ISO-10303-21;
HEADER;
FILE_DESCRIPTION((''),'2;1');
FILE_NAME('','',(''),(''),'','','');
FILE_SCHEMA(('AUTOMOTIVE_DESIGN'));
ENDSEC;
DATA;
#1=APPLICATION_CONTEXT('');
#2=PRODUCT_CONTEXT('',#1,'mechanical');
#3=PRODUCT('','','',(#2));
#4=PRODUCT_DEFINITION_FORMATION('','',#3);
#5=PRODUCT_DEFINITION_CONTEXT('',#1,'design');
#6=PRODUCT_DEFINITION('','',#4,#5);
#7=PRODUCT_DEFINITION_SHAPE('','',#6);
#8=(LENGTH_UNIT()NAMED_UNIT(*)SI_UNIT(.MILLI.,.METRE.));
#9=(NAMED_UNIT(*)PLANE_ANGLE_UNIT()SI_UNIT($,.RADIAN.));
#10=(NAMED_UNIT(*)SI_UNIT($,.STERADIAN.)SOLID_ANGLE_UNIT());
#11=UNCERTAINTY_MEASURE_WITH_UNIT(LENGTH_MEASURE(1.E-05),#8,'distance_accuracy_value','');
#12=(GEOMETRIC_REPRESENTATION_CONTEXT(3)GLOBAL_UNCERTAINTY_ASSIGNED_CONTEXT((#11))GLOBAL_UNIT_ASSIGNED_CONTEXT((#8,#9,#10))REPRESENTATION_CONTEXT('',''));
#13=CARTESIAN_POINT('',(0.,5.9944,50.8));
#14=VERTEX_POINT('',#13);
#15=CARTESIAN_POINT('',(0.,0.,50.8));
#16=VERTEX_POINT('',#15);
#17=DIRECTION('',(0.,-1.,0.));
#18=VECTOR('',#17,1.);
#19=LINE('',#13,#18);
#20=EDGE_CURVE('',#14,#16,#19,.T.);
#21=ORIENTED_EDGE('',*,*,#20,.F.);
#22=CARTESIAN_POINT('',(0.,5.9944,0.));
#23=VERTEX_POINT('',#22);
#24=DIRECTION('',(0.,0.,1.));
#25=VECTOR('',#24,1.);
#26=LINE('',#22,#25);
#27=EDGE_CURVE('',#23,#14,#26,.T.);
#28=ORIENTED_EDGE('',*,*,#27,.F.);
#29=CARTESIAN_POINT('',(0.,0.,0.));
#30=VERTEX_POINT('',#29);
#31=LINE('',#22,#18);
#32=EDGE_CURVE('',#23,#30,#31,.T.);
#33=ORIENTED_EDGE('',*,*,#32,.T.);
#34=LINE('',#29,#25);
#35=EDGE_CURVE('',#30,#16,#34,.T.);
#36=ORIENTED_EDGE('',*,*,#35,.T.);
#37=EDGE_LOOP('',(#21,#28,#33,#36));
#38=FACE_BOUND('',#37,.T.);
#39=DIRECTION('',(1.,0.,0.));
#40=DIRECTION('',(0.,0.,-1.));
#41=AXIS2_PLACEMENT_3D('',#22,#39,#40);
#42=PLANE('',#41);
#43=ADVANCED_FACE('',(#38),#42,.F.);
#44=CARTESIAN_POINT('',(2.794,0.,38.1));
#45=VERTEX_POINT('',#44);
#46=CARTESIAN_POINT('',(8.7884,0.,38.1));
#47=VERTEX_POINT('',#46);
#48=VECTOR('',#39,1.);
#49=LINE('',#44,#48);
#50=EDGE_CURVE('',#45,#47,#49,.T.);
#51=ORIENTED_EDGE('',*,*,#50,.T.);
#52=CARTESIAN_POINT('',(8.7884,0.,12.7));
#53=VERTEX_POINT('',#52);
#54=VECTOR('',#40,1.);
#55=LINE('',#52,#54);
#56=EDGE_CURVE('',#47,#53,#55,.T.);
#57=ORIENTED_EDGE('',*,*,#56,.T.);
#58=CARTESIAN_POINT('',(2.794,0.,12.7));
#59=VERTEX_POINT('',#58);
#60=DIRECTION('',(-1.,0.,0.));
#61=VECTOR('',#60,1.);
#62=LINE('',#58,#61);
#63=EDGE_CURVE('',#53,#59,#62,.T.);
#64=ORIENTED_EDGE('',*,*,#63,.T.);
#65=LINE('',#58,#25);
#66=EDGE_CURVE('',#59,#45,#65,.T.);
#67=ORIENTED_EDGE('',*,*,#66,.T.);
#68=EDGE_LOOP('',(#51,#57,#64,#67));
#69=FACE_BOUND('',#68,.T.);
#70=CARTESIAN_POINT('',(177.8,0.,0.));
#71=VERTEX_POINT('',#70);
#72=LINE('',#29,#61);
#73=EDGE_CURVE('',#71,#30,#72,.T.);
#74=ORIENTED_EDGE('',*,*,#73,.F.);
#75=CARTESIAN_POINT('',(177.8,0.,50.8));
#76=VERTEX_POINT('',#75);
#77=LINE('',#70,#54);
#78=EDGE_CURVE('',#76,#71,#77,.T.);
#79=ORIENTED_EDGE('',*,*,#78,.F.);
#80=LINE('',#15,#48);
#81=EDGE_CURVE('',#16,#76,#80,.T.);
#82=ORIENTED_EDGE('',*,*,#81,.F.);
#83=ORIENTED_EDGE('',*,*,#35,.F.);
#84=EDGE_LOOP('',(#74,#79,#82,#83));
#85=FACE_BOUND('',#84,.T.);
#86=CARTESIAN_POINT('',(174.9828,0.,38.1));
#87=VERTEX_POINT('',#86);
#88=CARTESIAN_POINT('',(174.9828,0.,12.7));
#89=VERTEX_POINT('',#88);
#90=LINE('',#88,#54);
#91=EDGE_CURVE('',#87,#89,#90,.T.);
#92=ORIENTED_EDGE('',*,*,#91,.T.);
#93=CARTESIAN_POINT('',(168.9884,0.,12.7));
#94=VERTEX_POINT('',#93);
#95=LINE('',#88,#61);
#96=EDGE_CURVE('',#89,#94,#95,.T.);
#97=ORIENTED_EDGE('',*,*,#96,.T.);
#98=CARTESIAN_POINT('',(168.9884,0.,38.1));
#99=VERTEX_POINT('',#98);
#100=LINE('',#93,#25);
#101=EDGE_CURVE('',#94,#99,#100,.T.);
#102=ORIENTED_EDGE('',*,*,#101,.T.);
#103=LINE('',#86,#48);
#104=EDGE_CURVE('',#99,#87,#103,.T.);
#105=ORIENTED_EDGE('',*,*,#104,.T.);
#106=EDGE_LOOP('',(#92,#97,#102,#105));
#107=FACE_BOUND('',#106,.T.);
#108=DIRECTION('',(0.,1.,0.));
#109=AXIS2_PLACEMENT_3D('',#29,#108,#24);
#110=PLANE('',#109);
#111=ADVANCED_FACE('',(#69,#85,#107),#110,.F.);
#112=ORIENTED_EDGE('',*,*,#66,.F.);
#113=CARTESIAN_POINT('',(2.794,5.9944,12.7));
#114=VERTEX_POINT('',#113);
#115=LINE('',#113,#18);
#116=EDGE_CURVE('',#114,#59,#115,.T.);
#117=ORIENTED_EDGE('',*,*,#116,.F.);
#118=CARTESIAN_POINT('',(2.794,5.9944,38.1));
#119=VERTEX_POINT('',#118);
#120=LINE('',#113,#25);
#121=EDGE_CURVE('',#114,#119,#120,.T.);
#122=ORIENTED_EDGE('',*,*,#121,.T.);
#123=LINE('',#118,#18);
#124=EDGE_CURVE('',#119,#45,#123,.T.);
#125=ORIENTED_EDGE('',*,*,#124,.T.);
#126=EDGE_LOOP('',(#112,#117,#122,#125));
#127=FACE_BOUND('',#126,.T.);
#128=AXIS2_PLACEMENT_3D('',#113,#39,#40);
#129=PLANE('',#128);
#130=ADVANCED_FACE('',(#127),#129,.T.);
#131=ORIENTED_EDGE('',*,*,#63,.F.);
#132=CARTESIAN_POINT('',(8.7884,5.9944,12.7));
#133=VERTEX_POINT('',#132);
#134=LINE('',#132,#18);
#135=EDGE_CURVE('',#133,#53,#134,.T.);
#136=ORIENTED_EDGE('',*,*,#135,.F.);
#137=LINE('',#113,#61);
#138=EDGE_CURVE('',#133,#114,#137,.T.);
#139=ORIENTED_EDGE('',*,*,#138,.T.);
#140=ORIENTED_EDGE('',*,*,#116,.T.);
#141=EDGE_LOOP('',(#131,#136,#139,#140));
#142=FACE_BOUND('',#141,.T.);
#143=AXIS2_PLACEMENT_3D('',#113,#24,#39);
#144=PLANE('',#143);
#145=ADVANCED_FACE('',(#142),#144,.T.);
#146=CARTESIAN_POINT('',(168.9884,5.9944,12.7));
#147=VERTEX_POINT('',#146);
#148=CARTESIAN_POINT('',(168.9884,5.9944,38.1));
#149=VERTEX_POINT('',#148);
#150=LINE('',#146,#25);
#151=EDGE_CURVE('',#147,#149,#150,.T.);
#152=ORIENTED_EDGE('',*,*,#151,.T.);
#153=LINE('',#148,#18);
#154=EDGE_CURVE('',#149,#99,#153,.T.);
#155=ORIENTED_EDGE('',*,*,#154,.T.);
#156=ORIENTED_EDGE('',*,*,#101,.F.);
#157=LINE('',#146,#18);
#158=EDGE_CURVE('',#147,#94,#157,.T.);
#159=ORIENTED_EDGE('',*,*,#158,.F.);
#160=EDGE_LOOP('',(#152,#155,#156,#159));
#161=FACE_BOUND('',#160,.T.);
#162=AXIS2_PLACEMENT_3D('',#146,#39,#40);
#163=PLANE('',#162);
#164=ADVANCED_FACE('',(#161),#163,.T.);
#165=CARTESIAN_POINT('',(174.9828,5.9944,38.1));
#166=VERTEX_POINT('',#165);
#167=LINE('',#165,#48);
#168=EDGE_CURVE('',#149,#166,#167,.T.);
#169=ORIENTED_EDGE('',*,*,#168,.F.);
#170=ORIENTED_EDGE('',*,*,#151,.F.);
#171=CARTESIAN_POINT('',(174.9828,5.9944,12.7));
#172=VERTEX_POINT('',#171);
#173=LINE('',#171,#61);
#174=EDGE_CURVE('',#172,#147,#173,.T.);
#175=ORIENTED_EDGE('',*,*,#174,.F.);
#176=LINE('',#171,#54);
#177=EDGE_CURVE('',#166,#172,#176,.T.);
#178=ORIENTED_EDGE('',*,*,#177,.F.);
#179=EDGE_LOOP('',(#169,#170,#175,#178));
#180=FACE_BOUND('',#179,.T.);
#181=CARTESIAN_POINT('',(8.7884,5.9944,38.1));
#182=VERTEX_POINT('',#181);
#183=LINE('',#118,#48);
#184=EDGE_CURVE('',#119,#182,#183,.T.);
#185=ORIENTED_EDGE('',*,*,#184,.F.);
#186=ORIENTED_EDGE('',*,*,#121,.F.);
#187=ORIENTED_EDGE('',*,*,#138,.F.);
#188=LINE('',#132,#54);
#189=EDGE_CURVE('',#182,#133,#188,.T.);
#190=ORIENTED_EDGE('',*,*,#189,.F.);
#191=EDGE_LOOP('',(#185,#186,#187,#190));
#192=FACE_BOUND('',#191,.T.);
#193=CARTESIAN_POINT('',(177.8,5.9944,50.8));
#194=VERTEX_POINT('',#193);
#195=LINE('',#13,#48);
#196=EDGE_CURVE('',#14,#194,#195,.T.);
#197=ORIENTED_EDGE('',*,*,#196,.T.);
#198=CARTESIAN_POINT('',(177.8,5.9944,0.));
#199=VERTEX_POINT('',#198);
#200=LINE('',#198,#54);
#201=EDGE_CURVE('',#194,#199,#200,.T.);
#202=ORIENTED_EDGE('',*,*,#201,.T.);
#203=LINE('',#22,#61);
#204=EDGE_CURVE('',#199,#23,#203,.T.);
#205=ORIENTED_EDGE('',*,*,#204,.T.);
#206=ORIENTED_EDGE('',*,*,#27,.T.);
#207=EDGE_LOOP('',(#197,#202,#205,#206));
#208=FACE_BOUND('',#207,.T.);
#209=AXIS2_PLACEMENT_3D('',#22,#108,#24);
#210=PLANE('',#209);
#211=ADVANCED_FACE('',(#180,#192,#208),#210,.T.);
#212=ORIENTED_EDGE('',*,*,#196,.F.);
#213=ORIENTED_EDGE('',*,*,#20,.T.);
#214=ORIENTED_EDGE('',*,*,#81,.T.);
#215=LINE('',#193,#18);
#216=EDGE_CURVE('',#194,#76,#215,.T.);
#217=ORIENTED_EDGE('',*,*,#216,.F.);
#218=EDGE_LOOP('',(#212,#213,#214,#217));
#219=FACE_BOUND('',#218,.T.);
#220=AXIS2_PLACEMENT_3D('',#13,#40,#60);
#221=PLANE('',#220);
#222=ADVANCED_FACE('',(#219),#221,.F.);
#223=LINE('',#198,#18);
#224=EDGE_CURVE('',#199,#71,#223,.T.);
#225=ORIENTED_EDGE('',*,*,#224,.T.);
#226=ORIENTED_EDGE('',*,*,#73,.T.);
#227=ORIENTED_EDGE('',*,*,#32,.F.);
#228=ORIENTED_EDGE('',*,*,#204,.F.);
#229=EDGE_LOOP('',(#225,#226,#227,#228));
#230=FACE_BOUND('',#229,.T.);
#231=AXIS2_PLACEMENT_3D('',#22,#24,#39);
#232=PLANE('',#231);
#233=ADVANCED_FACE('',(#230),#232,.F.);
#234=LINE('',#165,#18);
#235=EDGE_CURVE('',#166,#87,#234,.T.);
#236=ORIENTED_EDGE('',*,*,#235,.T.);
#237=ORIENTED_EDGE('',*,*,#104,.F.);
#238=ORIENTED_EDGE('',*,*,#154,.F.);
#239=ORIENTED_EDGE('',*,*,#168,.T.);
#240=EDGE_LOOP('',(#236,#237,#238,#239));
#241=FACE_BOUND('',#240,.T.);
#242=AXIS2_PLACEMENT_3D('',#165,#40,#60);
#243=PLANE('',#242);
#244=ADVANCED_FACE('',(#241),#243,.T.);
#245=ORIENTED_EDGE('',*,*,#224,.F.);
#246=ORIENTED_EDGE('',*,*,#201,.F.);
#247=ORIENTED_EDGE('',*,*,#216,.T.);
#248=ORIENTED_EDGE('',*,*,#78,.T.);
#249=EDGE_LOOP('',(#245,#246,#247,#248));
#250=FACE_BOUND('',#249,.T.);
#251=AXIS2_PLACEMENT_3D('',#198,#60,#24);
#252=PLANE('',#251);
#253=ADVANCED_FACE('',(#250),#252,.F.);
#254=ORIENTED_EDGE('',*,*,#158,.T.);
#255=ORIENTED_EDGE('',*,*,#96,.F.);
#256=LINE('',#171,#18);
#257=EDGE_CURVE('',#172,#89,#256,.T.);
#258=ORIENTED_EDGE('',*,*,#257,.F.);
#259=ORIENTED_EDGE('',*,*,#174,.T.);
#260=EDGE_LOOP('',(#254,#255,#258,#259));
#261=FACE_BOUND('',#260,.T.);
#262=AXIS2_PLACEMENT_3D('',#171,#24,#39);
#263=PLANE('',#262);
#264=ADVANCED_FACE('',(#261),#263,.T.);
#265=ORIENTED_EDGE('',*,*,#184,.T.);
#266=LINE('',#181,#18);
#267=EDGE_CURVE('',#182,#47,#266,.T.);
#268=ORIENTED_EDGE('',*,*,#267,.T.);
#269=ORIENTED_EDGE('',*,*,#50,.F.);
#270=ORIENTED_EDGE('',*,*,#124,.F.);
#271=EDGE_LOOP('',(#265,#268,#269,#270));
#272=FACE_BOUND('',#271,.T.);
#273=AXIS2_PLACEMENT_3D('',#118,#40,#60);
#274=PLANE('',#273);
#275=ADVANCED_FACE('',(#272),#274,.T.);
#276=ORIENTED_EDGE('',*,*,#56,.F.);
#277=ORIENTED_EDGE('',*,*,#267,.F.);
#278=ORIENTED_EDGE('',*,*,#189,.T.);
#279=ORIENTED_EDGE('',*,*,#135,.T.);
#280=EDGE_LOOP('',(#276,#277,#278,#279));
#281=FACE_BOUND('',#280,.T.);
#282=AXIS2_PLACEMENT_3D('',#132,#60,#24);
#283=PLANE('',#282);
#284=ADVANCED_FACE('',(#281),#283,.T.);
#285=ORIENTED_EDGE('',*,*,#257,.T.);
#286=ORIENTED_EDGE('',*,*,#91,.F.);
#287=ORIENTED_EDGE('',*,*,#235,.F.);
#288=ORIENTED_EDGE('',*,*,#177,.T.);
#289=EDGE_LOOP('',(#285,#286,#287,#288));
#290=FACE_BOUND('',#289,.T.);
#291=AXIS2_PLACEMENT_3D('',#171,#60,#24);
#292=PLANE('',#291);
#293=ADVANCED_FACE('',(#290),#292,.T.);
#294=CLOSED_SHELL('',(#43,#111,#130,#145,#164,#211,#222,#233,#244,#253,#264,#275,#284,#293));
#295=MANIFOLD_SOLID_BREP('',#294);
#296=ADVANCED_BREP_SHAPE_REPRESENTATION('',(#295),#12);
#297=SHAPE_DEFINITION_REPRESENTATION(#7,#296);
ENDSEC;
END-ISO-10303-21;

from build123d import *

# Parameters (mm, degrees)
SKETCH1_W           = 177.8
SKETCH1_H           = 50.8
SKETCH1_W_2         = 5.9944
SKETCH1_H_2         = 25.4
BOSS_EXTRUDE1_DEPTH = 5.9944


with BuildPart() as part:
    # Sketch1 → Boss-Extrude1 (new body)
    with BuildSketch(Plane(origin=(0, 0, 0), x_dir=(1, 0, 0), z_dir=(0, 1, 0))):
        with Locations((88.9, -25.4)):
            Rectangle(SKETCH1_W, SKETCH1_H)
        with Locations((5.7912, -25.4)):
            Rectangle(SKETCH1_W_2, SKETCH1_H_2, mode=Mode.SUBTRACT)
        with Locations((171.9856, -25.4)):
            Rectangle(SKETCH1_W_2, SKETCH1_H_2, mode=Mode.SUBTRACT)
    extrude(amount=BOSS_EXTRUDE1_DEPTH)


solid = part.part
